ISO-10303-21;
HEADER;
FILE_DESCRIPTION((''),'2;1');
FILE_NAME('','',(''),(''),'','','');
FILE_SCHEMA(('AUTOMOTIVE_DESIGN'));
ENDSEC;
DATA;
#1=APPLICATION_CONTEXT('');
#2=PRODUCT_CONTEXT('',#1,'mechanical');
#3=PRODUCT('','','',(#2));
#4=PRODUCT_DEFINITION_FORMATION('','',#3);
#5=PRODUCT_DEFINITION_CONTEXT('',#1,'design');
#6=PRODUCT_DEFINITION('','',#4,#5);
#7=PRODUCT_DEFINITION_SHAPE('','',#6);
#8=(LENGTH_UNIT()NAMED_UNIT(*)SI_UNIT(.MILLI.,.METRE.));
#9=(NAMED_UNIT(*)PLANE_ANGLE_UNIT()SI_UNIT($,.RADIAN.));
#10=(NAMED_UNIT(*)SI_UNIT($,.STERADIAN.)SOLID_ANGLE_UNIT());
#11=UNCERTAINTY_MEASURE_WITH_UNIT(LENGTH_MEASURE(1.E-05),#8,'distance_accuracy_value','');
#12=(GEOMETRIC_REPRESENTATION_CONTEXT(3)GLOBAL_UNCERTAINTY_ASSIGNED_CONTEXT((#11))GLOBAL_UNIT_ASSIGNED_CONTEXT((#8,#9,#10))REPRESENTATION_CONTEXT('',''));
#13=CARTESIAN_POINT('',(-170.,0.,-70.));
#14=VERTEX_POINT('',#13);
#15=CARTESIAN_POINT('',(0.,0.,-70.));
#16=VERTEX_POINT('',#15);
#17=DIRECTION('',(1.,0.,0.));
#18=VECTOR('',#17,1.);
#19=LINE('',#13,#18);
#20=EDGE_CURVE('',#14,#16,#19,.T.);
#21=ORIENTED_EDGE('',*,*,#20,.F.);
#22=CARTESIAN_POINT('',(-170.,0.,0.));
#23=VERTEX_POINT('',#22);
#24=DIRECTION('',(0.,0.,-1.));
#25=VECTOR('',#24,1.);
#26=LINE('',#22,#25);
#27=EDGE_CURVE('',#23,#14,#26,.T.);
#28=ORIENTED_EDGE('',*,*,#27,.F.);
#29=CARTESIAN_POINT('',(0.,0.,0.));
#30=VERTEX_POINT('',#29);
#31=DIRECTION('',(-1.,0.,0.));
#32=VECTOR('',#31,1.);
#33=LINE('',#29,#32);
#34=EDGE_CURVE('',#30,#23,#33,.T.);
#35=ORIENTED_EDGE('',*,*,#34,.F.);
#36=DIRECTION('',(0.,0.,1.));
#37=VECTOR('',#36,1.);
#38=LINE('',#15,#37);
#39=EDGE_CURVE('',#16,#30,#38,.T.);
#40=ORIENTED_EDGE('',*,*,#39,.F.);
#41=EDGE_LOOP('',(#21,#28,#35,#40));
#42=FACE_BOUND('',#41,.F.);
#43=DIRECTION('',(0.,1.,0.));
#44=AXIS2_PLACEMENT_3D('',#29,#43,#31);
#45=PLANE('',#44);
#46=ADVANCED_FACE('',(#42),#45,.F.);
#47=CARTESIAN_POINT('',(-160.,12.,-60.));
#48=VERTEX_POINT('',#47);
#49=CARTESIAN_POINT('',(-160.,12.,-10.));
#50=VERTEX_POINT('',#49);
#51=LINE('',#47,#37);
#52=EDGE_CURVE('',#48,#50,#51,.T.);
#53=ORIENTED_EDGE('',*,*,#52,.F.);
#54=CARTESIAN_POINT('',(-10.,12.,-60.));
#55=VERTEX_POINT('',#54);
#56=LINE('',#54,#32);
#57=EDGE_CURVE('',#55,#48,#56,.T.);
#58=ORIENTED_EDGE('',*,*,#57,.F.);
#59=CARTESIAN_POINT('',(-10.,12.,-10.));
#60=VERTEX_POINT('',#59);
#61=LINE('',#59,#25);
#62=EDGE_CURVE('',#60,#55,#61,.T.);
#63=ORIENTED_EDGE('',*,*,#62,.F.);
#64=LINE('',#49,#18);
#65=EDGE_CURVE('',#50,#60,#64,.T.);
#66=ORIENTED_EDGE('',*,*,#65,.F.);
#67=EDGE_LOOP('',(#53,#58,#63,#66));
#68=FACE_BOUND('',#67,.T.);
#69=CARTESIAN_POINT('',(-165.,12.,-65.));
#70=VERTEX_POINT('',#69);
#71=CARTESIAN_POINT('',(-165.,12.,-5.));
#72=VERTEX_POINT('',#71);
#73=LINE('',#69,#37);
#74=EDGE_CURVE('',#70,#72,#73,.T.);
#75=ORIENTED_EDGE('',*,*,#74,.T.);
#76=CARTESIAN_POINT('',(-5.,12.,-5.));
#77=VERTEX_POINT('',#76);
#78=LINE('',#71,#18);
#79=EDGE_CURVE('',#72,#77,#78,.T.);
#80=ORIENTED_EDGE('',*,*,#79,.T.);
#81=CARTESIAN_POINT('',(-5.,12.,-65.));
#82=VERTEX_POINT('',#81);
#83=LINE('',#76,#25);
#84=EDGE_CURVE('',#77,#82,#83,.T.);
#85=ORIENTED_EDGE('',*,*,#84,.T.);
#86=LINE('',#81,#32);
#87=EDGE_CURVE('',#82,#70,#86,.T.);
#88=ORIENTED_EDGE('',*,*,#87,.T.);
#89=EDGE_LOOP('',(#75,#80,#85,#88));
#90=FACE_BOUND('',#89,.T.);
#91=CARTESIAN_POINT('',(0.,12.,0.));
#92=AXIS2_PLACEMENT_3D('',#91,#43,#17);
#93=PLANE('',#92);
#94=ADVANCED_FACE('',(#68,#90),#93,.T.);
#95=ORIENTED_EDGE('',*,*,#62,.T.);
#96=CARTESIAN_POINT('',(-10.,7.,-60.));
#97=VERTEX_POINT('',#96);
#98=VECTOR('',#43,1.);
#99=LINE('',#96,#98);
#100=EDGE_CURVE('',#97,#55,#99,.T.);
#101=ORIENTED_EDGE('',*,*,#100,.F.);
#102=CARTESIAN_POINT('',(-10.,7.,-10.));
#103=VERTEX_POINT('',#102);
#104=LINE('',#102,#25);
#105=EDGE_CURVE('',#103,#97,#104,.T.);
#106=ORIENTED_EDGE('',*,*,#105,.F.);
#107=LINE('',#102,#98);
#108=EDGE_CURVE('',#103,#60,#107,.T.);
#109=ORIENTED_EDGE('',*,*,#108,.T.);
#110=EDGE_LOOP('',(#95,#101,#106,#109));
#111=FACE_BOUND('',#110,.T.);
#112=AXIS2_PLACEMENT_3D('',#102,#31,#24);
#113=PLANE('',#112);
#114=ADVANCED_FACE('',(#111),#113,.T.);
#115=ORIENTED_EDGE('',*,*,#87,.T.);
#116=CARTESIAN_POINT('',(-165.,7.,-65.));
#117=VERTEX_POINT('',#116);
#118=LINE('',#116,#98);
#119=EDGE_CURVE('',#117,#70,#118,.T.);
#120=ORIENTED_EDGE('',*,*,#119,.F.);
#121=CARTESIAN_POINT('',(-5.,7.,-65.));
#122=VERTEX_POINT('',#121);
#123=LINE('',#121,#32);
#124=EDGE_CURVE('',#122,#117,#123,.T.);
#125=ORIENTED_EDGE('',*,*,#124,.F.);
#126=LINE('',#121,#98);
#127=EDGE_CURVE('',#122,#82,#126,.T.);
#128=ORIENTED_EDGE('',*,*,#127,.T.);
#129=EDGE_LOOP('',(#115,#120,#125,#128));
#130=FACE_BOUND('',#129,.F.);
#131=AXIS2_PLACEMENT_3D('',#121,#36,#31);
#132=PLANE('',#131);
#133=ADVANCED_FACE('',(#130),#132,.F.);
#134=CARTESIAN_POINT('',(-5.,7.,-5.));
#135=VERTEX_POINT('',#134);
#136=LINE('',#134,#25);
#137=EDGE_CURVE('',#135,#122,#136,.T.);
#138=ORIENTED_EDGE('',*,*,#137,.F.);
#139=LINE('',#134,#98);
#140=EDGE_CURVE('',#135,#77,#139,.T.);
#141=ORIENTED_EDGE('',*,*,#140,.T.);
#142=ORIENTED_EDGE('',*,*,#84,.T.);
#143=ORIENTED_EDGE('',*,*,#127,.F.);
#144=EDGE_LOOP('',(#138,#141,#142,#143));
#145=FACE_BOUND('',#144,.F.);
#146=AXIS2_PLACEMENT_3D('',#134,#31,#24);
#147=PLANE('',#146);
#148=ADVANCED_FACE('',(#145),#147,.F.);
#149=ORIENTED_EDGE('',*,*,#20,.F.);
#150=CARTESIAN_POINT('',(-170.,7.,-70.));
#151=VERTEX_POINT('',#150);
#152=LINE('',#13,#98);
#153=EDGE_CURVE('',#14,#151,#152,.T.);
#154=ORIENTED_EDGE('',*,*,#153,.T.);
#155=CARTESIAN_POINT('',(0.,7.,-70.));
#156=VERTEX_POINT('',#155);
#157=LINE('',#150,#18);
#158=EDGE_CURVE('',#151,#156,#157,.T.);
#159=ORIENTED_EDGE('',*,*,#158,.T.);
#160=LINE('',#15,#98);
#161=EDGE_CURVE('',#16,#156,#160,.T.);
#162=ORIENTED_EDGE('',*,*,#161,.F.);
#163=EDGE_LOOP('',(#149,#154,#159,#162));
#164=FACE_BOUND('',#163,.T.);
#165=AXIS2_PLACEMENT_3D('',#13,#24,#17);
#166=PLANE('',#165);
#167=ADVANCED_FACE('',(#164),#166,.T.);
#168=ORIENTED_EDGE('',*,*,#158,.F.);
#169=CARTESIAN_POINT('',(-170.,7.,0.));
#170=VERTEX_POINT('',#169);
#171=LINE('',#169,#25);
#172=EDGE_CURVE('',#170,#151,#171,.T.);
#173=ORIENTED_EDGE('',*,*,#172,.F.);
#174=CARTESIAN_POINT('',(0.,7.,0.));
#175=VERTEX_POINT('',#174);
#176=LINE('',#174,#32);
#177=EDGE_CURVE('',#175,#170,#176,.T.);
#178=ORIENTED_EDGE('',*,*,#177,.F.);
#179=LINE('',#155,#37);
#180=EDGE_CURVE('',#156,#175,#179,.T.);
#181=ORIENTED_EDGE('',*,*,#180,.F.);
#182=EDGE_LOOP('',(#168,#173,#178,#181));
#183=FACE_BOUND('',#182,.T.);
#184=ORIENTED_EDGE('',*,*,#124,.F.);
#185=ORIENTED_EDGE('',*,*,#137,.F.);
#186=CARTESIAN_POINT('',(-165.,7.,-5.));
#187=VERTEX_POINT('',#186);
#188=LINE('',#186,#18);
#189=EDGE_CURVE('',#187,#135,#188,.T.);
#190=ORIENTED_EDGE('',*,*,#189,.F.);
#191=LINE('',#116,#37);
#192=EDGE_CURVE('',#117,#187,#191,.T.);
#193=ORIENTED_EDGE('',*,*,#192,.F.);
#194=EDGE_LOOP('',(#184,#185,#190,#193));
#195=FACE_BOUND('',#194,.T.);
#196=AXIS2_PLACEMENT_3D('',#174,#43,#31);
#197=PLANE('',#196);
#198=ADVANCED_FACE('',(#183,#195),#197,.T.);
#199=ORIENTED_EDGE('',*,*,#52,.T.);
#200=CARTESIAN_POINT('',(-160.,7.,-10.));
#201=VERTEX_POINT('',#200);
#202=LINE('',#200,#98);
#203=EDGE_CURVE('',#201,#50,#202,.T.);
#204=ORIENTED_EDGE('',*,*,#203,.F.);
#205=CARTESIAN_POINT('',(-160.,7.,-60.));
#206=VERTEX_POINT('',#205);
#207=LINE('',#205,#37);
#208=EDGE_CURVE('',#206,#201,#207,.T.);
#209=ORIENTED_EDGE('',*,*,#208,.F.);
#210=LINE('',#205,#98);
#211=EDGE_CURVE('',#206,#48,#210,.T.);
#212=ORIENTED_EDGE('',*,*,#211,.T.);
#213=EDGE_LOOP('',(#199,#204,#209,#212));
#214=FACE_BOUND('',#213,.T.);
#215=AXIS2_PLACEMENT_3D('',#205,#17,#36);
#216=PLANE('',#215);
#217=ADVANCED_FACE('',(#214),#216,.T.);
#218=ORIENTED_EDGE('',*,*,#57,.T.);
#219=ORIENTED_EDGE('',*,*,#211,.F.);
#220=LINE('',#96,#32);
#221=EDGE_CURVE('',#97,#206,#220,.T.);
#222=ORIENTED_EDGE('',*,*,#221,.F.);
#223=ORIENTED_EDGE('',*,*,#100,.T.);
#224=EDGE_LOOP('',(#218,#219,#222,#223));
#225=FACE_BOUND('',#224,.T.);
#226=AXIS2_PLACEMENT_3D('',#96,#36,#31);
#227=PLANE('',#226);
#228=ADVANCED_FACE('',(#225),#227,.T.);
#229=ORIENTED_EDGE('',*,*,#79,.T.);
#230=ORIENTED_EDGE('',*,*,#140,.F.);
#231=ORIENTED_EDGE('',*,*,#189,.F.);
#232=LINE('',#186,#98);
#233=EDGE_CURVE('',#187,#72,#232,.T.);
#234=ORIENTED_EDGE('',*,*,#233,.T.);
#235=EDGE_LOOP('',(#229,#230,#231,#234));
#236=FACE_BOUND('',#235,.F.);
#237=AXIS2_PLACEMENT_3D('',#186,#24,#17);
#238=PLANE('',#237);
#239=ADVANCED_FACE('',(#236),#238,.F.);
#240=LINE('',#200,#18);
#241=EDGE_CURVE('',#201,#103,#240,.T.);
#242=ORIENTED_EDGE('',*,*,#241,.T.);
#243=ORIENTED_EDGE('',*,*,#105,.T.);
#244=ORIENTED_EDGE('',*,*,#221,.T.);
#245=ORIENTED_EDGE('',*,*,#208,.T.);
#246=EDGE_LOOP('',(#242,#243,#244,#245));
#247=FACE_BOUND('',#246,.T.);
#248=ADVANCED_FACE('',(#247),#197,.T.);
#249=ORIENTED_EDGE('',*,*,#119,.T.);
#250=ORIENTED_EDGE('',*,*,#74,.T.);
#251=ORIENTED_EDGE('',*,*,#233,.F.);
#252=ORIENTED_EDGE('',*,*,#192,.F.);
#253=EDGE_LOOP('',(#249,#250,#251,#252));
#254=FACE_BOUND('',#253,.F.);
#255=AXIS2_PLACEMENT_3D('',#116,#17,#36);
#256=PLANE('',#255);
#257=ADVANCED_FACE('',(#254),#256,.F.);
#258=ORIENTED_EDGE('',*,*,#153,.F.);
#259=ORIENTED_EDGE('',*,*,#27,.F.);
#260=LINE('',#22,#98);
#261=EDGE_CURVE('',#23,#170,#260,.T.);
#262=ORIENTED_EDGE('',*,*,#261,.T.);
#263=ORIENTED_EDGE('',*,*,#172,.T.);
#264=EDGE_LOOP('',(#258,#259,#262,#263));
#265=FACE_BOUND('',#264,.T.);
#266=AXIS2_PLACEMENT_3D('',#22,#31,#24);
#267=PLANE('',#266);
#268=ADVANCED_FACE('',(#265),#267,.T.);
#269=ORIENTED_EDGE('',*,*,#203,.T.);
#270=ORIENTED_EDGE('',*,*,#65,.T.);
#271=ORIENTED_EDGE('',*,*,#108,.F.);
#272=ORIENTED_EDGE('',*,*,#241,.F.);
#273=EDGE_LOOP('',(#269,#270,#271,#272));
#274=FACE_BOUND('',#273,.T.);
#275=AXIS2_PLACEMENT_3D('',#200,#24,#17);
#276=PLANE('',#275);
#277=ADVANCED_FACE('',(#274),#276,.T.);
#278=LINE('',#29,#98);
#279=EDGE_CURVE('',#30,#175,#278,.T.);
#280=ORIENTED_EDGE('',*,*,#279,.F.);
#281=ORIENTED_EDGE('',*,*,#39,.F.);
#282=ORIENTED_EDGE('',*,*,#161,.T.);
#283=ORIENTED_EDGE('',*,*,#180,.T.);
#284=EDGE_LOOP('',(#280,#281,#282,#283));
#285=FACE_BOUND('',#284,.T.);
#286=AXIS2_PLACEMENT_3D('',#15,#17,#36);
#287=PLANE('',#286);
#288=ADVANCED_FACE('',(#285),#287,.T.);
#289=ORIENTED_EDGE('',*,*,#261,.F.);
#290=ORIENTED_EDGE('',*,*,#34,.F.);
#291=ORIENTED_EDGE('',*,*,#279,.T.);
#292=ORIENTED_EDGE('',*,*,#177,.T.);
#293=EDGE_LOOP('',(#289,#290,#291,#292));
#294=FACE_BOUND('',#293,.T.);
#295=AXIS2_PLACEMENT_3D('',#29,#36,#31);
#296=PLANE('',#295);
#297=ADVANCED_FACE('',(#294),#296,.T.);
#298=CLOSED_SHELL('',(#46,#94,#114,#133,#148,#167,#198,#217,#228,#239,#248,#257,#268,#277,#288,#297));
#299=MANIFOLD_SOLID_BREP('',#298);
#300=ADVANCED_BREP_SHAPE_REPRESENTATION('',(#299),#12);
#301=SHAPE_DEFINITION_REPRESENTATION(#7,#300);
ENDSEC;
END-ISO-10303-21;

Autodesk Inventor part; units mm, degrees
ref_plane "YZ Plane" through (0, 0, 0) normal (1, 0, 0) x (0, 1, 0)
ref_plane "XZ Plane" through (0, 0, 0) normal (0, 1, 0) x (-1, 0, 0)
ref_plane "XY Plane" through (0, 0, 0) normal (0, 0, 1) x (1, 0, 0)
sketch "Sketch1" plane through (0, 0, 0) normal (0, 1, 0) x (-1, 0, 0)
  line L0 (0, 0) -> (170, 0)
  line L1 (170, 0) -> (170, -70)
  line L2 (170, -70) -> (0, -70)
  line L3 (0, -70) -> (0, 0)
  dimension "d0" = 170
  dimension "d1" = 70
extrude "Extrusion1" add sketch "Sketch1" along normal blind 7
sketch "Sketch2" plane through (0, 7, 0) normal (0, 1, 0) x (1, 0, 0)
  line L0 (-165, 5) -> (-5, 5)
  line L1 (-5, 5) -> (-5, 65)
  line L2 (-5, 65) -> (-165, 65)
  line L3 (-165, 65) -> (-165, 5)
  line L4 (-170, 70) -> (-170, 0) projected
  line L5 (0, 70) -> (-170, 70) projected
  line L6 (0, 0) -> (0, 70) projected
  line L7 (-170, 0) -> (0, 0) projected
  line L8 (-160, 10) -> (-10, 10)
  line L9 (-10, 10) -> (-10, 60)
  line L10 (-10, 60) -> (-160, 60)
  line L11 (-160, 60) -> (-160, 10)
  dimension "d4" = 5
  dimension "d5" = 5
  dimension "d6" = 5
  dimension "d7" = 5
  dimension "d8" = 5
  dimension "d9" = 5
  dimension "d10" = 5
  dimension "d11" = 5
extrude "Extrusion2" add sketch "Sketch2" along normal blind 5 contours L3 L2 L1 L0
properties part number "Wireless charger Cover"
